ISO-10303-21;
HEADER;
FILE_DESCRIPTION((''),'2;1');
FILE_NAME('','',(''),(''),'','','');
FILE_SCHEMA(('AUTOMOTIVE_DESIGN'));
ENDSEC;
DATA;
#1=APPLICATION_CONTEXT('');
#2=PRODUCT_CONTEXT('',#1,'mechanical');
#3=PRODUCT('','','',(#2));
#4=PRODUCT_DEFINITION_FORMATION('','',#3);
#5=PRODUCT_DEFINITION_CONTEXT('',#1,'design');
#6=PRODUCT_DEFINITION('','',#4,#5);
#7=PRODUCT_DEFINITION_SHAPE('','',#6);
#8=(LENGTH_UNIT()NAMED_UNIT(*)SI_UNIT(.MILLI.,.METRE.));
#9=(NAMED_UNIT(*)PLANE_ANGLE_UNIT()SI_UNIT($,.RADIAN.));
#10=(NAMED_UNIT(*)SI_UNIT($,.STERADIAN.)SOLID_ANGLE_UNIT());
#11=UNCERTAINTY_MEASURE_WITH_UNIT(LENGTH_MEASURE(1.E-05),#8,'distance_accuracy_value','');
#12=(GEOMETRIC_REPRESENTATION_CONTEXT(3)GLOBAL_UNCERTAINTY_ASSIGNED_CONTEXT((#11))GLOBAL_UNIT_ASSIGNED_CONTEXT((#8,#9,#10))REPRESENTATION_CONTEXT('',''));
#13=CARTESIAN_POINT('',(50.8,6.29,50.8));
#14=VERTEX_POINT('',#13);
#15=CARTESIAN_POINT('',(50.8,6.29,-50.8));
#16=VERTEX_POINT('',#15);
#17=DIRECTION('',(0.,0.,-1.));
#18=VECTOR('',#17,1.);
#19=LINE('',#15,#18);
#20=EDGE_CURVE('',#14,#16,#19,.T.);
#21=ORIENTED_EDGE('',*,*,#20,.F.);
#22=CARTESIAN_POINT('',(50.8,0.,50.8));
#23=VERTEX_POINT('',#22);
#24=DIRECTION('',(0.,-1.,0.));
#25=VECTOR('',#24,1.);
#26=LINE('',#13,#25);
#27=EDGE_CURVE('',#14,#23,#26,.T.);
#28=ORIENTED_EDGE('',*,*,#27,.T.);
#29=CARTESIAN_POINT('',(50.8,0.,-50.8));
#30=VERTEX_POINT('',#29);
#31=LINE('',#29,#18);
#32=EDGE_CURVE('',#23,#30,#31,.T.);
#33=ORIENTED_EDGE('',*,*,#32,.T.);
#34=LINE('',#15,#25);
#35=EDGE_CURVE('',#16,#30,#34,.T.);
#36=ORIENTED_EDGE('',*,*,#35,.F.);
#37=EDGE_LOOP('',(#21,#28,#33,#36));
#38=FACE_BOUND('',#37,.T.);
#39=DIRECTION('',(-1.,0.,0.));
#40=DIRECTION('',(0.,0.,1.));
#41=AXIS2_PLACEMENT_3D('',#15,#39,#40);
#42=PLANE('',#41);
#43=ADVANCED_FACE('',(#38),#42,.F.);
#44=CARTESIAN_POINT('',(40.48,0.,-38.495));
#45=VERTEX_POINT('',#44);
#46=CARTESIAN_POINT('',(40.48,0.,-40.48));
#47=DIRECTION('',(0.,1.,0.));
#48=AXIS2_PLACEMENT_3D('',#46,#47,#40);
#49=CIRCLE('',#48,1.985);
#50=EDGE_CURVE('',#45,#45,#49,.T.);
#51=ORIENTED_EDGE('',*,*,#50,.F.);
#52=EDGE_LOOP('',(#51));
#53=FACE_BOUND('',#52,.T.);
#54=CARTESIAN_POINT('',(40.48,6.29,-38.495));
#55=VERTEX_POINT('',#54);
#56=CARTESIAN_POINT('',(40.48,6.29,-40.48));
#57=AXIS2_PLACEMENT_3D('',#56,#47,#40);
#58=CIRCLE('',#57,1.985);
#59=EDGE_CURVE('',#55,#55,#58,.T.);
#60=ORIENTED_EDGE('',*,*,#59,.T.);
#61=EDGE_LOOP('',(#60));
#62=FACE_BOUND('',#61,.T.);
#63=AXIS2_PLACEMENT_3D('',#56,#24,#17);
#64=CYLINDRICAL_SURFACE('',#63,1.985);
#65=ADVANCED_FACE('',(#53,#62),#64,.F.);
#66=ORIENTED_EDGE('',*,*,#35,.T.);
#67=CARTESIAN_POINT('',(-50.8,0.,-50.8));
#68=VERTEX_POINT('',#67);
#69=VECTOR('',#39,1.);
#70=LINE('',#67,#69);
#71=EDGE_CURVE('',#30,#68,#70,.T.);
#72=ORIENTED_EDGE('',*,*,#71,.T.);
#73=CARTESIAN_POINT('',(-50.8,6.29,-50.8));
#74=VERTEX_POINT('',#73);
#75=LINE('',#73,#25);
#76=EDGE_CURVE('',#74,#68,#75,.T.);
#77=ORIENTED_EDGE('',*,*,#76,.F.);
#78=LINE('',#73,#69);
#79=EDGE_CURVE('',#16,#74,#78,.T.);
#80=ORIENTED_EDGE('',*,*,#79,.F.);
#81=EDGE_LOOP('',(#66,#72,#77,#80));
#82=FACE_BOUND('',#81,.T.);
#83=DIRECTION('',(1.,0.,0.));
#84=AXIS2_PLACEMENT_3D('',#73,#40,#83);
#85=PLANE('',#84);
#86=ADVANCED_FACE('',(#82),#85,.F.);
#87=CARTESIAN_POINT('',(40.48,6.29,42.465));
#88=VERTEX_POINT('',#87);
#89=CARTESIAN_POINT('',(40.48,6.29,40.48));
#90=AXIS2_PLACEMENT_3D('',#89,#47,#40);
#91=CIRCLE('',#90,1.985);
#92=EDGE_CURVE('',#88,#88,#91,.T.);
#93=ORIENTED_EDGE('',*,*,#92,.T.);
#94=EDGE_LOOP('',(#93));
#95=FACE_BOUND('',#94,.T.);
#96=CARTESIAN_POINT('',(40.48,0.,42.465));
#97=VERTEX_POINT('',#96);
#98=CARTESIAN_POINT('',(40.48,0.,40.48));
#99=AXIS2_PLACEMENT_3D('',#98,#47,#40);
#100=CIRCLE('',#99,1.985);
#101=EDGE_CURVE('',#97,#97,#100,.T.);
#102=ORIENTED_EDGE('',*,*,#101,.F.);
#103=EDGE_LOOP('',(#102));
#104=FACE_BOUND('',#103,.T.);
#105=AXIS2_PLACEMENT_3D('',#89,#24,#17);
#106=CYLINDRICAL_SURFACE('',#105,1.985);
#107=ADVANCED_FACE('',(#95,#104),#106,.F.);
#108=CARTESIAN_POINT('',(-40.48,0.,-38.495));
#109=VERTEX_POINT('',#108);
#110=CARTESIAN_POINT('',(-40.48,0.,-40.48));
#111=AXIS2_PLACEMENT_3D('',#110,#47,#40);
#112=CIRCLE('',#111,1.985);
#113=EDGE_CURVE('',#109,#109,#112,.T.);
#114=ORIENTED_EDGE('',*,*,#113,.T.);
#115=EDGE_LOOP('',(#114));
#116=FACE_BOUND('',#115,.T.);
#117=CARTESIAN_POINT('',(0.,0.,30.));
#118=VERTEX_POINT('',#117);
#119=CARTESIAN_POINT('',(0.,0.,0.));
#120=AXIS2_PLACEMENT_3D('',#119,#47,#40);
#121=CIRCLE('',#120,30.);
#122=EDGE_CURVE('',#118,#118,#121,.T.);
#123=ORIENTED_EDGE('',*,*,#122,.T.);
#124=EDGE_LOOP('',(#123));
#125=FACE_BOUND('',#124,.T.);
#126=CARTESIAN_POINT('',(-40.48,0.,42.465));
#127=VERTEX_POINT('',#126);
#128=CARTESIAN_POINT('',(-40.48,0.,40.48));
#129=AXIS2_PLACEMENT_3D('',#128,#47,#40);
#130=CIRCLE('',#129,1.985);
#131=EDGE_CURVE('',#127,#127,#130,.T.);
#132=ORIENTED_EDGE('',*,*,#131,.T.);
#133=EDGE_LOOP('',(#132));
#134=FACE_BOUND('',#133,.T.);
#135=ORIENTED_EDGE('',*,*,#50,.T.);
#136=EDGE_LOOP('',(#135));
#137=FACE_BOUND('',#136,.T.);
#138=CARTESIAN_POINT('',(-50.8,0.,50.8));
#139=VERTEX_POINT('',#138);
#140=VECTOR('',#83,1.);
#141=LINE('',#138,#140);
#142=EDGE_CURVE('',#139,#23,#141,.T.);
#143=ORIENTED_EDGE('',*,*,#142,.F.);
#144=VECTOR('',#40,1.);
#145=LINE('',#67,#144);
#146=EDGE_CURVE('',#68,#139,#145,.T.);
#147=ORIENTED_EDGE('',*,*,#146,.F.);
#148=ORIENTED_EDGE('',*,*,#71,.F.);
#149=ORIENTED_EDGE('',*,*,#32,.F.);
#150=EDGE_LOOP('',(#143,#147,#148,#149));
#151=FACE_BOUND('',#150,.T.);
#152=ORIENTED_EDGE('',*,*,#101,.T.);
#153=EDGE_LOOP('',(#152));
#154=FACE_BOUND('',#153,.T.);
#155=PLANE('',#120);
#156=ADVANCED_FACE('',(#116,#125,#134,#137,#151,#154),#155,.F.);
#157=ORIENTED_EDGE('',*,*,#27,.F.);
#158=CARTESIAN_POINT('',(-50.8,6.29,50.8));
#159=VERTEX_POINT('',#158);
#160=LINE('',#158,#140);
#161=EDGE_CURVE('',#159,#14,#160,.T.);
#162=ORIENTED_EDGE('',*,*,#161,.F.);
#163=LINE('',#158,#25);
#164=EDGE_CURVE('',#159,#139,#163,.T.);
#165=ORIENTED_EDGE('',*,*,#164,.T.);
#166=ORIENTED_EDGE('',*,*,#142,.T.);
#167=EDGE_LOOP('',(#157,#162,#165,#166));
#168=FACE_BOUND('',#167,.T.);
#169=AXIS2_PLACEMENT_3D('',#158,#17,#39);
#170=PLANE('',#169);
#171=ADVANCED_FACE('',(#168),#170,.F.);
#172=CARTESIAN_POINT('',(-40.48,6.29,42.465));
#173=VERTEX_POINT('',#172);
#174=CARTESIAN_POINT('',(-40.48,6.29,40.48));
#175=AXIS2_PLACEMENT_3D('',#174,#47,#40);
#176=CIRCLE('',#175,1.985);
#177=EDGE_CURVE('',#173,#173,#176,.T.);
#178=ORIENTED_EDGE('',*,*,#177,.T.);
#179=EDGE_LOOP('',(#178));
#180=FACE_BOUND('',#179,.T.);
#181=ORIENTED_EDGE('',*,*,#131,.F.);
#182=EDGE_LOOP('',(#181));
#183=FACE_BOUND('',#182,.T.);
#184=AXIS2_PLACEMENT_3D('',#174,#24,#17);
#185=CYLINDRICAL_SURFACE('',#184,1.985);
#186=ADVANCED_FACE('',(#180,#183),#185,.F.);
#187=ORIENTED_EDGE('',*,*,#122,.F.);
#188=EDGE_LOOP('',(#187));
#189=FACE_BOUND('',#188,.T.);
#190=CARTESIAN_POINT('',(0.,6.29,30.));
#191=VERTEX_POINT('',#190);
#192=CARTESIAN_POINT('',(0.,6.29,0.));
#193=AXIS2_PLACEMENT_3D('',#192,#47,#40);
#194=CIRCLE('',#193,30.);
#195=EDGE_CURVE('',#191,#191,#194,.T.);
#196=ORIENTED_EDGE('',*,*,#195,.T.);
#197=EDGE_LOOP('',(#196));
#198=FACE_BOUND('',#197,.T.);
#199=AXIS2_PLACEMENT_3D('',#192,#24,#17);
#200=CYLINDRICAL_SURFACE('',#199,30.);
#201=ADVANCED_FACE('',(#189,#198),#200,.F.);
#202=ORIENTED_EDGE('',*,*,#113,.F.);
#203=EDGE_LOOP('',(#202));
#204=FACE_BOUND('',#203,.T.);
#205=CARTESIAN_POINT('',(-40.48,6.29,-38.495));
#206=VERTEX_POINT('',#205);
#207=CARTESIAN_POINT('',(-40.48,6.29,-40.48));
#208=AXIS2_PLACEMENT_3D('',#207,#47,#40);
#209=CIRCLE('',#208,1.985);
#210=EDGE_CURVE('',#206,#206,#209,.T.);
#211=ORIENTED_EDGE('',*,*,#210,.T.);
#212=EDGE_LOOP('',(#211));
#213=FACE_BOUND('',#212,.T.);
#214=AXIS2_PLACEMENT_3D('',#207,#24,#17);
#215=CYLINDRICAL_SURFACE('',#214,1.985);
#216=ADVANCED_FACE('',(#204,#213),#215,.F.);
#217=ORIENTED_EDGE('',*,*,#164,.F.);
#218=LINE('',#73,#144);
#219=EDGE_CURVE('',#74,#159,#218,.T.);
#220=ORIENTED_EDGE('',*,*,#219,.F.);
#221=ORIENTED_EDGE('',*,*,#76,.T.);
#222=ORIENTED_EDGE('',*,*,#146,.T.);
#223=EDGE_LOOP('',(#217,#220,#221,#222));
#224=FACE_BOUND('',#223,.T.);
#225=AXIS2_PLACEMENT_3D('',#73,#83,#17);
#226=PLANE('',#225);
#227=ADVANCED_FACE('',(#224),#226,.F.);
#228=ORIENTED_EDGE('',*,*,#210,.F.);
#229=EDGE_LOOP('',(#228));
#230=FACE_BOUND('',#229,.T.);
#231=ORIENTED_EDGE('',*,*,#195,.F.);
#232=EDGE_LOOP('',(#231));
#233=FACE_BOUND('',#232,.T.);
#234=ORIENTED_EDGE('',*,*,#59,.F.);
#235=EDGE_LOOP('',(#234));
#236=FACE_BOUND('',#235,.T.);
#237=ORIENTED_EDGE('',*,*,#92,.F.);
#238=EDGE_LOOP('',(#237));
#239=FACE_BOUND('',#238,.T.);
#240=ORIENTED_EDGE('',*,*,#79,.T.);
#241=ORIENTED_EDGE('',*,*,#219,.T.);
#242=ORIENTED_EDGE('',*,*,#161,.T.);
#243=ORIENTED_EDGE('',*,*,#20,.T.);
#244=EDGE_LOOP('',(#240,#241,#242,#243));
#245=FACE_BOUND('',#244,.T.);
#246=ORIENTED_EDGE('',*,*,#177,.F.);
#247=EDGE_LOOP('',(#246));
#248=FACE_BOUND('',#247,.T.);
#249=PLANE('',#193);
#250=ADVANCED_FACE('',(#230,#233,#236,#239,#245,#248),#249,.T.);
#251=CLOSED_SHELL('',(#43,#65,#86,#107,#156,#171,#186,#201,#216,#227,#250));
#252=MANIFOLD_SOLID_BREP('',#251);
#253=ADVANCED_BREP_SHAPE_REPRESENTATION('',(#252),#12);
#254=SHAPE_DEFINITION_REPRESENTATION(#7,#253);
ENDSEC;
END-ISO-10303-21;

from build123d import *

# Parameters (mm, degrees)
SKETCH1_W           = 101.6
SKETCH1_H           = 101.6
SKETCH1_R           = 30
SKETCH1_R_2         = 1.985
BOSS_EXTRUDE1_DEPTH = 6.29


with BuildPart() as part:
    # Sketch1 → Boss-Extrude1 (new body)
    with BuildSketch(Plane(origin=(0, 0, 0), x_dir=(1, 0, 0), z_dir=(0, 1, 0))):
        Rectangle(SKETCH1_W, SKETCH1_H)
        with Locations(Location((0, 0, 0), (0, 0, 270))):
            Circle(SKETCH1_R, mode=Mode.SUBTRACT)
        with Locations(Location((-40.48, 40.48, 0), (0, 0, 270))):
            Circle(SKETCH1_R_2, mode=Mode.SUBTRACT)
        with Locations(Location((40.48, 40.48, 0), (0, 0, 270))):
            Circle(SKETCH1_R_2, mode=Mode.SUBTRACT)
        with Locations(Location((40.48, -40.48, 0), (0, 0, 270))):
            Circle(SKETCH1_R_2, mode=Mode.SUBTRACT)
        with Locations(Location((-40.48, -40.48, 0), (0, 0, 270))):
            Circle(SKETCH1_R_2, mode=Mode.SUBTRACT)
    extrude(amount=BOSS_EXTRUDE1_DEPTH)


solid = part.part
